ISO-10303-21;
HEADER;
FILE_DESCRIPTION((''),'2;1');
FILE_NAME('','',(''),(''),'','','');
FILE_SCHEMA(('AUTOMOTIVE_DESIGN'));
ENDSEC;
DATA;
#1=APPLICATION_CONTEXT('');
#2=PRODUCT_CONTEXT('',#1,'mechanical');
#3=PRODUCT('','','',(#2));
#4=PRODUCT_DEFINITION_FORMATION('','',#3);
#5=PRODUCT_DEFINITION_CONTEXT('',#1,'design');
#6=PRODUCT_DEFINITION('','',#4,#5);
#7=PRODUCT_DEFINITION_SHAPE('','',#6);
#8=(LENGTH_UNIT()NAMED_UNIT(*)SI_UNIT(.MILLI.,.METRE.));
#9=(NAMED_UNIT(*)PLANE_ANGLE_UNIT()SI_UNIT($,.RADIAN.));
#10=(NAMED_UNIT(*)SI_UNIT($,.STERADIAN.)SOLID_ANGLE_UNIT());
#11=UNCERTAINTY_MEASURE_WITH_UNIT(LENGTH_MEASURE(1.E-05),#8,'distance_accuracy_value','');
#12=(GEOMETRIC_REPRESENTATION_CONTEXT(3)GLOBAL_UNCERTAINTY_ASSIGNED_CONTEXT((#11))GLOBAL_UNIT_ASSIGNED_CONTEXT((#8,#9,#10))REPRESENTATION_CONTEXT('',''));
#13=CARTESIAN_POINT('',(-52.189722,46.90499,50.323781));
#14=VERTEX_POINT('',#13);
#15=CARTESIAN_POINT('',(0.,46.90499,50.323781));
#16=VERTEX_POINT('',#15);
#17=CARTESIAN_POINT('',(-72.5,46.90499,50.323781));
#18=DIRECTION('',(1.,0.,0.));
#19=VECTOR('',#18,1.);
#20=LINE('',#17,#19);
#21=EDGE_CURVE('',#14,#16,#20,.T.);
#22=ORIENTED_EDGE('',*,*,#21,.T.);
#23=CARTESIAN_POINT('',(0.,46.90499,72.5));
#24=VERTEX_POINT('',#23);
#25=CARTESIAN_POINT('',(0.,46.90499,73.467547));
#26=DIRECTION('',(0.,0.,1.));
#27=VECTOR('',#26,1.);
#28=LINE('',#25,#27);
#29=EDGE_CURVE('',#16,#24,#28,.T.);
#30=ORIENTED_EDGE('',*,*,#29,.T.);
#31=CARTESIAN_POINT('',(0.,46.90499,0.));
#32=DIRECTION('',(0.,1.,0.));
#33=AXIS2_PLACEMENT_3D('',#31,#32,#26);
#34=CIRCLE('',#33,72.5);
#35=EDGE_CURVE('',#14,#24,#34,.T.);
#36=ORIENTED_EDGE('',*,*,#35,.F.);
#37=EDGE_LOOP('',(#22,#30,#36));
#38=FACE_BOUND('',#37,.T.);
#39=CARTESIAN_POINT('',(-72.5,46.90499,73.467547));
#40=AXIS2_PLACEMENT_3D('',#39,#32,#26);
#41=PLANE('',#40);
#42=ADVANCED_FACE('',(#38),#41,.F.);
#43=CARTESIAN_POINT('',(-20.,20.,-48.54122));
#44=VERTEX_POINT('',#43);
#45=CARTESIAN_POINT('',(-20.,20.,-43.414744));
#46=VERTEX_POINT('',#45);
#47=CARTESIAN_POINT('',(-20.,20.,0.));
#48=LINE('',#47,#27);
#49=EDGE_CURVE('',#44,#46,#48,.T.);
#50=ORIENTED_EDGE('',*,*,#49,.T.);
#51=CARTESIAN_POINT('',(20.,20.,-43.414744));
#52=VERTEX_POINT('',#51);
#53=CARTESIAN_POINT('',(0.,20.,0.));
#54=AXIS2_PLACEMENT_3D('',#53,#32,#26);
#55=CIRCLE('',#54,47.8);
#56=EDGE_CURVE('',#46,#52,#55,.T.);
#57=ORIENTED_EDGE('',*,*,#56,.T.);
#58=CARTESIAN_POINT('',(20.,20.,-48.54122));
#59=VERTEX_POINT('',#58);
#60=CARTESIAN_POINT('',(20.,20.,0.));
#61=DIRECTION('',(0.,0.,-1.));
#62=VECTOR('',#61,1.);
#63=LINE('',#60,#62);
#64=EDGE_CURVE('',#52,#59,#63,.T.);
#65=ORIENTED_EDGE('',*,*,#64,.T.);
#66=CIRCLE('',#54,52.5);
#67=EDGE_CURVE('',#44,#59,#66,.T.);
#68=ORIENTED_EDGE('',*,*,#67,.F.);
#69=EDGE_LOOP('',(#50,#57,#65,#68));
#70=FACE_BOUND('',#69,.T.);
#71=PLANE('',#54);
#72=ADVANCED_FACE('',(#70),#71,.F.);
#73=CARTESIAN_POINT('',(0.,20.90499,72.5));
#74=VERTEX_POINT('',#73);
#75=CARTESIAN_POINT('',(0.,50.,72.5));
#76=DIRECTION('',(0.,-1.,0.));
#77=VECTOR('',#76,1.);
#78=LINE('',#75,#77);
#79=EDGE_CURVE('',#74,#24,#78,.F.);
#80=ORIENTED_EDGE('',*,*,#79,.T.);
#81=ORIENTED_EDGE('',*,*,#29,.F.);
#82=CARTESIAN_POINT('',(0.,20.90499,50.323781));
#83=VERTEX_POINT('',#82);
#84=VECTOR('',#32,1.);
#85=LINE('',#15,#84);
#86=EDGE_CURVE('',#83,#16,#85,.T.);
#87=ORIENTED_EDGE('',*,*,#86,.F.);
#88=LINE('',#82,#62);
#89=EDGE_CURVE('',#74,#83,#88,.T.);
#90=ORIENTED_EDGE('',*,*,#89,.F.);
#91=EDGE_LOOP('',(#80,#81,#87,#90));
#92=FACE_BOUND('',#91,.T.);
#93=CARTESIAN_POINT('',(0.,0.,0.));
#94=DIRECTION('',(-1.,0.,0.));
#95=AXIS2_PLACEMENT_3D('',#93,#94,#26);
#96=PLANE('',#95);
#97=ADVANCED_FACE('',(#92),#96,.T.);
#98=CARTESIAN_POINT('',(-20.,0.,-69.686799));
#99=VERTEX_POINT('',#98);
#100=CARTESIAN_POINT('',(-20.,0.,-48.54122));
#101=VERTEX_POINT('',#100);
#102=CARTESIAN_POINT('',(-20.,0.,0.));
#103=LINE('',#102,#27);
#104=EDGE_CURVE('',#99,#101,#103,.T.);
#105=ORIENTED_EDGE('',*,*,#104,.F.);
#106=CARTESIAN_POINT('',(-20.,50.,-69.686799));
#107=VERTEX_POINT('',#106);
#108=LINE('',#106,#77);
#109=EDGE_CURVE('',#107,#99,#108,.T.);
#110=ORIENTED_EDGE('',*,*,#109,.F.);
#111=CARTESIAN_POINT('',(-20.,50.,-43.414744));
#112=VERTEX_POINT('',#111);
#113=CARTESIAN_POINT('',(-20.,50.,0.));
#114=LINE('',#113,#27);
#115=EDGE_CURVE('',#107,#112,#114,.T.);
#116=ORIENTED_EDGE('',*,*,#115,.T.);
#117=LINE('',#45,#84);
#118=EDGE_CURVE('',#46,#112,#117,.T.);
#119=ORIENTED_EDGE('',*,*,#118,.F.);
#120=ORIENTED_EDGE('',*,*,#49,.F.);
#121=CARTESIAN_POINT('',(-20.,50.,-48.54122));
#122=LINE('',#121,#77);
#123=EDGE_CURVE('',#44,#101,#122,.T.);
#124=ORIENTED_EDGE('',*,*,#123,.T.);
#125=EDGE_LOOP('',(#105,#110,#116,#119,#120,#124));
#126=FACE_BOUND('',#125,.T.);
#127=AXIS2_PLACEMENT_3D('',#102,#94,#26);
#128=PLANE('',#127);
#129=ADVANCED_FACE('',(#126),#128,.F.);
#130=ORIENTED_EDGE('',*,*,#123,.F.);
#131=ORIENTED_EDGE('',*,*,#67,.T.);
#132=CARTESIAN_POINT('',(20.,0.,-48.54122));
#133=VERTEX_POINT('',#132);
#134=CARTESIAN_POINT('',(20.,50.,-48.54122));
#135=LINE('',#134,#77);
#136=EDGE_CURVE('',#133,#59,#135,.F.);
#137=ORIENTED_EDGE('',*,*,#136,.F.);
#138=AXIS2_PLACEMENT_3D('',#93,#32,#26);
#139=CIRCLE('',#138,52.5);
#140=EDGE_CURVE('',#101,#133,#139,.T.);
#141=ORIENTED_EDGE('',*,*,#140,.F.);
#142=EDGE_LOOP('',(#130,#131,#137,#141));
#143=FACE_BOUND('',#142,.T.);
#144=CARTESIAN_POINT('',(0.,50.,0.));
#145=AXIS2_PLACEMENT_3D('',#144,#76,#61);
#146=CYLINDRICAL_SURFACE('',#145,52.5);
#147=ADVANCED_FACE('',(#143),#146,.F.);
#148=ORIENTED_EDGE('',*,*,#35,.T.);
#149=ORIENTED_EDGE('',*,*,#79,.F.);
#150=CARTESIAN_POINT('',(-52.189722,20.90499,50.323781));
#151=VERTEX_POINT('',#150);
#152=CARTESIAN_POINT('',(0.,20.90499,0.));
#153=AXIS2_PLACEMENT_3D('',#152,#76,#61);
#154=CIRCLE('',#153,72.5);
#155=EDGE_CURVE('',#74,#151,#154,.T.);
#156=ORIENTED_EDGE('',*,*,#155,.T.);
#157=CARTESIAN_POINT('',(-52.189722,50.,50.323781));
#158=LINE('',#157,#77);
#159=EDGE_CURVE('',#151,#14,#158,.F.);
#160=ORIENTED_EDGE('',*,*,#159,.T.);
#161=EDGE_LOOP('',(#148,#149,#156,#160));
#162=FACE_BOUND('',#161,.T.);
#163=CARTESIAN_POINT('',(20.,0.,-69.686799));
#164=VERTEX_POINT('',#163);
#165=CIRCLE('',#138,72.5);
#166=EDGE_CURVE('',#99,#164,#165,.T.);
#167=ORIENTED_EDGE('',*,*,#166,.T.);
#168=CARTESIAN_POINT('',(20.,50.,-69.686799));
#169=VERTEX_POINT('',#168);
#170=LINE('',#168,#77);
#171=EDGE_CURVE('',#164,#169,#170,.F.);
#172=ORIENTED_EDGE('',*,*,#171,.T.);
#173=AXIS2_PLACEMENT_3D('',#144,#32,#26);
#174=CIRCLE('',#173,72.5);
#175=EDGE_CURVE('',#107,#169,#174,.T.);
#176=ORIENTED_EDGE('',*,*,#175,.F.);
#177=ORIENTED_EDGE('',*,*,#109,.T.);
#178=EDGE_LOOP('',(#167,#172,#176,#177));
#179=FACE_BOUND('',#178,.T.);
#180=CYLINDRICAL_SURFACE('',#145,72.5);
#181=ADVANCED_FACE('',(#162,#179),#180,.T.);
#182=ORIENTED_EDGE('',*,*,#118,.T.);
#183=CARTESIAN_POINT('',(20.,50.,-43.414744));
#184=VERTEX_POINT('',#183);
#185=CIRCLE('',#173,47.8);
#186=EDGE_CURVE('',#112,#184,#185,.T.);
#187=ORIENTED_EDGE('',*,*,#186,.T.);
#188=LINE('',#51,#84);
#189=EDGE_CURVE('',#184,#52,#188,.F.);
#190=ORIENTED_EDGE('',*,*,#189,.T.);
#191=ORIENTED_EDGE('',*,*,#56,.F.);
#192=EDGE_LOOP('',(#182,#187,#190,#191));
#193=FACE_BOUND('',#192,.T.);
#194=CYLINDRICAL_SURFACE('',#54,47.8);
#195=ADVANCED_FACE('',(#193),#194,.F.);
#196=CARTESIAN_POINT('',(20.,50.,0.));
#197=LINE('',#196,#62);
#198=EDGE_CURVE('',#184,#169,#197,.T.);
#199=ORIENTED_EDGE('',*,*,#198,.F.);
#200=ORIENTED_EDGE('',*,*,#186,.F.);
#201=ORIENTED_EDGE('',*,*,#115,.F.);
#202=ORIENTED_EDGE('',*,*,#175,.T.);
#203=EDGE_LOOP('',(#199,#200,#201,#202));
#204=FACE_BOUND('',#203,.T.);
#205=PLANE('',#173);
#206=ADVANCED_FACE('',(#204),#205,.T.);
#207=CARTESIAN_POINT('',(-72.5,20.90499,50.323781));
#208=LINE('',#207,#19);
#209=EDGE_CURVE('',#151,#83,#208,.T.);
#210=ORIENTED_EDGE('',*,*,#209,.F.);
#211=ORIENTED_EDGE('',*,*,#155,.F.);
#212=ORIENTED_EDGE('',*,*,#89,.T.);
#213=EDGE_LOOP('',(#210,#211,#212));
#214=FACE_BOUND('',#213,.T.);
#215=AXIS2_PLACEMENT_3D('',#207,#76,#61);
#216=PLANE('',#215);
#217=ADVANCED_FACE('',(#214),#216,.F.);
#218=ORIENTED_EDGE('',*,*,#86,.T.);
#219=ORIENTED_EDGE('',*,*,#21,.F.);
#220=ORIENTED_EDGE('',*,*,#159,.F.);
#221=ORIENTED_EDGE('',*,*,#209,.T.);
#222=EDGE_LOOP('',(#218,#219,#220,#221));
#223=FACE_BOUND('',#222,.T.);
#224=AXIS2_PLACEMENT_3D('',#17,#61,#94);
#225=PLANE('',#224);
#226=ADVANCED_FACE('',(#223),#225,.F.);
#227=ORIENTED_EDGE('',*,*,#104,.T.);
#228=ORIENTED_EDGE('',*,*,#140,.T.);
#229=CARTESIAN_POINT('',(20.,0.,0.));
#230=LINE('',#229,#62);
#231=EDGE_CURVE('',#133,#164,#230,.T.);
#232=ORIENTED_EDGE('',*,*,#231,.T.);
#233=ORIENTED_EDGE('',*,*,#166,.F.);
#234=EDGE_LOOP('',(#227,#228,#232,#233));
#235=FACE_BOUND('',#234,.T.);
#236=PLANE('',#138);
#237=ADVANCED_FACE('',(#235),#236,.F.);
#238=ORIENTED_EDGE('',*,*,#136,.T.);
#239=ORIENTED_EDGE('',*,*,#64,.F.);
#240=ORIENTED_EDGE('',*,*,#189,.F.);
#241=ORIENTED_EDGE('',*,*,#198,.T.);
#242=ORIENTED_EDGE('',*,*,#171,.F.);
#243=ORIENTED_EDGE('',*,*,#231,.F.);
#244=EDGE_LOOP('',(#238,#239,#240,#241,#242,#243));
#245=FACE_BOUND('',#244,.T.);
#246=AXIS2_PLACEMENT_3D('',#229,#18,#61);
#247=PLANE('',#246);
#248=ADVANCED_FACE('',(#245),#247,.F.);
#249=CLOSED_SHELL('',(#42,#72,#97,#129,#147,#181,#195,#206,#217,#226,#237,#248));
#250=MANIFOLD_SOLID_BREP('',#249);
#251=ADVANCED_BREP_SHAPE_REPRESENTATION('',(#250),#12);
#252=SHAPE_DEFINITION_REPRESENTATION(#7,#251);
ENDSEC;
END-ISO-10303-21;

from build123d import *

# Parameters (mm, degrees)
ESBO_O1_R                  = 72.5
ESBO_O1_R_2                = 52.5
RESSALTO_EXTRUS_O1_DEPTH   = 50
CORTE_EXTRUS_O1_DEPTH      = 115.072345465
CORTE_EXTRUS_O1_DEPTH_BACK = 115.072345465
ESBO_O2_W                  = 40
ESBO_O2_H                  = 97.356983932
RESSALTO_EXTRUS_O2_START   = -30
ESBO_O3_R                  = 52.5
ESBO_O3_R_2                = 47.8
RESSALTO_EXTRUS_O2_DEPTH   = 30
CORTE_EXTRUS_O2_DEPTH      = 115.072345465
CORTE_EXTRUS_O2_DEPTH_BACK = 115.072345465
ESBO_O5_W                  = 23.143765799
ESBO_O5_H                  = 26
CORTE_EXTRUS_O3_DEPTH      = 115.072345465


with BuildPart() as part:
    # Esboço1 → Ressalto-extrusão1 (new body)
    with BuildSketch(Plane(origin=(0, 0, 0), x_dir=(1, 0, 0), z_dir=(0, 1, 0))):
        with Locations(Location((0, 0, 0), (0, 0, 270))):
            Circle(ESBO_O1_R)
        with Locations(Location((0, 0, 0), (0, 0, 270))):
            Circle(ESBO_O1_R_2, mode=Mode.SUBTRACT)
    extrude(amount=RESSALTO_EXTRUS_O1_DEPTH)

    # Esboço2 → Corte-extrusão1 (cut, two sides: drawn at the far end of the back side and taken through both)
    with BuildSketch(Plane(origin=(0, 50, 0), x_dir=(1, 0, 0), z_dir=(0, 1, 0)).offset(-CORTE_EXTRUS_O1_DEPTH_BACK)):
        with Locations((0, 48.678491966)):
            Rectangle(ESBO_O2_W, ESBO_O2_H)
    extrude(amount=CORTE_EXTRUS_O1_DEPTH + CORTE_EXTRUS_O1_DEPTH_BACK, mode=Mode.SUBTRACT)

    # Esboço3 → Ressalto-extrusão2 (add)
    with BuildSketch(Plane(origin=(0, 50, 0), x_dir=(1, 0, 0), z_dir=(0, 1, 0)).offset(RESSALTO_EXTRUS_O2_START)):
        Circle(ESBO_O3_R)
        with Locations(Location((0, 0, 0), (0, 0, 270))):
            Circle(ESBO_O3_R_2, mode=Mode.SUBTRACT)
    extrude(amount=RESSALTO_EXTRUS_O2_DEPTH)

    # Esboço4 → Corte-extrusão2 (cut, two sides: drawn at the far end of the back side and taken through both)
    with BuildSketch(Plane(origin=(0, 50, 0), x_dir=(1, 0, 0), z_dir=(0, 1, 0)).offset(-CORTE_EXTRUS_O2_DEPTH_BACK)):
        Polygon((-20, 69.686799324), (-20, 29.755386526), (20, 29.755386526), (20, 73.66525197), (-20, 73.66525197), align=None)
    extrude(amount=CORTE_EXTRUS_O2_DEPTH + CORTE_EXTRUS_O2_DEPTH_BACK, mode=Mode.SUBTRACT)

    # Esboço5 → Corte-extrusão3 (cut, through all)
    with BuildSketch(Plane(origin=(0, 0, 0), x_dir=(0, 0, -1), z_dir=(1, 0, 0))):
        with Locations((-61.895664133, 33.904990218)):
            Rectangle(ESBO_O5_W, ESBO_O5_H)
    extrude(amount=-CORTE_EXTRUS_O3_DEPTH, mode=Mode.SUBTRACT)


solid = part.part
